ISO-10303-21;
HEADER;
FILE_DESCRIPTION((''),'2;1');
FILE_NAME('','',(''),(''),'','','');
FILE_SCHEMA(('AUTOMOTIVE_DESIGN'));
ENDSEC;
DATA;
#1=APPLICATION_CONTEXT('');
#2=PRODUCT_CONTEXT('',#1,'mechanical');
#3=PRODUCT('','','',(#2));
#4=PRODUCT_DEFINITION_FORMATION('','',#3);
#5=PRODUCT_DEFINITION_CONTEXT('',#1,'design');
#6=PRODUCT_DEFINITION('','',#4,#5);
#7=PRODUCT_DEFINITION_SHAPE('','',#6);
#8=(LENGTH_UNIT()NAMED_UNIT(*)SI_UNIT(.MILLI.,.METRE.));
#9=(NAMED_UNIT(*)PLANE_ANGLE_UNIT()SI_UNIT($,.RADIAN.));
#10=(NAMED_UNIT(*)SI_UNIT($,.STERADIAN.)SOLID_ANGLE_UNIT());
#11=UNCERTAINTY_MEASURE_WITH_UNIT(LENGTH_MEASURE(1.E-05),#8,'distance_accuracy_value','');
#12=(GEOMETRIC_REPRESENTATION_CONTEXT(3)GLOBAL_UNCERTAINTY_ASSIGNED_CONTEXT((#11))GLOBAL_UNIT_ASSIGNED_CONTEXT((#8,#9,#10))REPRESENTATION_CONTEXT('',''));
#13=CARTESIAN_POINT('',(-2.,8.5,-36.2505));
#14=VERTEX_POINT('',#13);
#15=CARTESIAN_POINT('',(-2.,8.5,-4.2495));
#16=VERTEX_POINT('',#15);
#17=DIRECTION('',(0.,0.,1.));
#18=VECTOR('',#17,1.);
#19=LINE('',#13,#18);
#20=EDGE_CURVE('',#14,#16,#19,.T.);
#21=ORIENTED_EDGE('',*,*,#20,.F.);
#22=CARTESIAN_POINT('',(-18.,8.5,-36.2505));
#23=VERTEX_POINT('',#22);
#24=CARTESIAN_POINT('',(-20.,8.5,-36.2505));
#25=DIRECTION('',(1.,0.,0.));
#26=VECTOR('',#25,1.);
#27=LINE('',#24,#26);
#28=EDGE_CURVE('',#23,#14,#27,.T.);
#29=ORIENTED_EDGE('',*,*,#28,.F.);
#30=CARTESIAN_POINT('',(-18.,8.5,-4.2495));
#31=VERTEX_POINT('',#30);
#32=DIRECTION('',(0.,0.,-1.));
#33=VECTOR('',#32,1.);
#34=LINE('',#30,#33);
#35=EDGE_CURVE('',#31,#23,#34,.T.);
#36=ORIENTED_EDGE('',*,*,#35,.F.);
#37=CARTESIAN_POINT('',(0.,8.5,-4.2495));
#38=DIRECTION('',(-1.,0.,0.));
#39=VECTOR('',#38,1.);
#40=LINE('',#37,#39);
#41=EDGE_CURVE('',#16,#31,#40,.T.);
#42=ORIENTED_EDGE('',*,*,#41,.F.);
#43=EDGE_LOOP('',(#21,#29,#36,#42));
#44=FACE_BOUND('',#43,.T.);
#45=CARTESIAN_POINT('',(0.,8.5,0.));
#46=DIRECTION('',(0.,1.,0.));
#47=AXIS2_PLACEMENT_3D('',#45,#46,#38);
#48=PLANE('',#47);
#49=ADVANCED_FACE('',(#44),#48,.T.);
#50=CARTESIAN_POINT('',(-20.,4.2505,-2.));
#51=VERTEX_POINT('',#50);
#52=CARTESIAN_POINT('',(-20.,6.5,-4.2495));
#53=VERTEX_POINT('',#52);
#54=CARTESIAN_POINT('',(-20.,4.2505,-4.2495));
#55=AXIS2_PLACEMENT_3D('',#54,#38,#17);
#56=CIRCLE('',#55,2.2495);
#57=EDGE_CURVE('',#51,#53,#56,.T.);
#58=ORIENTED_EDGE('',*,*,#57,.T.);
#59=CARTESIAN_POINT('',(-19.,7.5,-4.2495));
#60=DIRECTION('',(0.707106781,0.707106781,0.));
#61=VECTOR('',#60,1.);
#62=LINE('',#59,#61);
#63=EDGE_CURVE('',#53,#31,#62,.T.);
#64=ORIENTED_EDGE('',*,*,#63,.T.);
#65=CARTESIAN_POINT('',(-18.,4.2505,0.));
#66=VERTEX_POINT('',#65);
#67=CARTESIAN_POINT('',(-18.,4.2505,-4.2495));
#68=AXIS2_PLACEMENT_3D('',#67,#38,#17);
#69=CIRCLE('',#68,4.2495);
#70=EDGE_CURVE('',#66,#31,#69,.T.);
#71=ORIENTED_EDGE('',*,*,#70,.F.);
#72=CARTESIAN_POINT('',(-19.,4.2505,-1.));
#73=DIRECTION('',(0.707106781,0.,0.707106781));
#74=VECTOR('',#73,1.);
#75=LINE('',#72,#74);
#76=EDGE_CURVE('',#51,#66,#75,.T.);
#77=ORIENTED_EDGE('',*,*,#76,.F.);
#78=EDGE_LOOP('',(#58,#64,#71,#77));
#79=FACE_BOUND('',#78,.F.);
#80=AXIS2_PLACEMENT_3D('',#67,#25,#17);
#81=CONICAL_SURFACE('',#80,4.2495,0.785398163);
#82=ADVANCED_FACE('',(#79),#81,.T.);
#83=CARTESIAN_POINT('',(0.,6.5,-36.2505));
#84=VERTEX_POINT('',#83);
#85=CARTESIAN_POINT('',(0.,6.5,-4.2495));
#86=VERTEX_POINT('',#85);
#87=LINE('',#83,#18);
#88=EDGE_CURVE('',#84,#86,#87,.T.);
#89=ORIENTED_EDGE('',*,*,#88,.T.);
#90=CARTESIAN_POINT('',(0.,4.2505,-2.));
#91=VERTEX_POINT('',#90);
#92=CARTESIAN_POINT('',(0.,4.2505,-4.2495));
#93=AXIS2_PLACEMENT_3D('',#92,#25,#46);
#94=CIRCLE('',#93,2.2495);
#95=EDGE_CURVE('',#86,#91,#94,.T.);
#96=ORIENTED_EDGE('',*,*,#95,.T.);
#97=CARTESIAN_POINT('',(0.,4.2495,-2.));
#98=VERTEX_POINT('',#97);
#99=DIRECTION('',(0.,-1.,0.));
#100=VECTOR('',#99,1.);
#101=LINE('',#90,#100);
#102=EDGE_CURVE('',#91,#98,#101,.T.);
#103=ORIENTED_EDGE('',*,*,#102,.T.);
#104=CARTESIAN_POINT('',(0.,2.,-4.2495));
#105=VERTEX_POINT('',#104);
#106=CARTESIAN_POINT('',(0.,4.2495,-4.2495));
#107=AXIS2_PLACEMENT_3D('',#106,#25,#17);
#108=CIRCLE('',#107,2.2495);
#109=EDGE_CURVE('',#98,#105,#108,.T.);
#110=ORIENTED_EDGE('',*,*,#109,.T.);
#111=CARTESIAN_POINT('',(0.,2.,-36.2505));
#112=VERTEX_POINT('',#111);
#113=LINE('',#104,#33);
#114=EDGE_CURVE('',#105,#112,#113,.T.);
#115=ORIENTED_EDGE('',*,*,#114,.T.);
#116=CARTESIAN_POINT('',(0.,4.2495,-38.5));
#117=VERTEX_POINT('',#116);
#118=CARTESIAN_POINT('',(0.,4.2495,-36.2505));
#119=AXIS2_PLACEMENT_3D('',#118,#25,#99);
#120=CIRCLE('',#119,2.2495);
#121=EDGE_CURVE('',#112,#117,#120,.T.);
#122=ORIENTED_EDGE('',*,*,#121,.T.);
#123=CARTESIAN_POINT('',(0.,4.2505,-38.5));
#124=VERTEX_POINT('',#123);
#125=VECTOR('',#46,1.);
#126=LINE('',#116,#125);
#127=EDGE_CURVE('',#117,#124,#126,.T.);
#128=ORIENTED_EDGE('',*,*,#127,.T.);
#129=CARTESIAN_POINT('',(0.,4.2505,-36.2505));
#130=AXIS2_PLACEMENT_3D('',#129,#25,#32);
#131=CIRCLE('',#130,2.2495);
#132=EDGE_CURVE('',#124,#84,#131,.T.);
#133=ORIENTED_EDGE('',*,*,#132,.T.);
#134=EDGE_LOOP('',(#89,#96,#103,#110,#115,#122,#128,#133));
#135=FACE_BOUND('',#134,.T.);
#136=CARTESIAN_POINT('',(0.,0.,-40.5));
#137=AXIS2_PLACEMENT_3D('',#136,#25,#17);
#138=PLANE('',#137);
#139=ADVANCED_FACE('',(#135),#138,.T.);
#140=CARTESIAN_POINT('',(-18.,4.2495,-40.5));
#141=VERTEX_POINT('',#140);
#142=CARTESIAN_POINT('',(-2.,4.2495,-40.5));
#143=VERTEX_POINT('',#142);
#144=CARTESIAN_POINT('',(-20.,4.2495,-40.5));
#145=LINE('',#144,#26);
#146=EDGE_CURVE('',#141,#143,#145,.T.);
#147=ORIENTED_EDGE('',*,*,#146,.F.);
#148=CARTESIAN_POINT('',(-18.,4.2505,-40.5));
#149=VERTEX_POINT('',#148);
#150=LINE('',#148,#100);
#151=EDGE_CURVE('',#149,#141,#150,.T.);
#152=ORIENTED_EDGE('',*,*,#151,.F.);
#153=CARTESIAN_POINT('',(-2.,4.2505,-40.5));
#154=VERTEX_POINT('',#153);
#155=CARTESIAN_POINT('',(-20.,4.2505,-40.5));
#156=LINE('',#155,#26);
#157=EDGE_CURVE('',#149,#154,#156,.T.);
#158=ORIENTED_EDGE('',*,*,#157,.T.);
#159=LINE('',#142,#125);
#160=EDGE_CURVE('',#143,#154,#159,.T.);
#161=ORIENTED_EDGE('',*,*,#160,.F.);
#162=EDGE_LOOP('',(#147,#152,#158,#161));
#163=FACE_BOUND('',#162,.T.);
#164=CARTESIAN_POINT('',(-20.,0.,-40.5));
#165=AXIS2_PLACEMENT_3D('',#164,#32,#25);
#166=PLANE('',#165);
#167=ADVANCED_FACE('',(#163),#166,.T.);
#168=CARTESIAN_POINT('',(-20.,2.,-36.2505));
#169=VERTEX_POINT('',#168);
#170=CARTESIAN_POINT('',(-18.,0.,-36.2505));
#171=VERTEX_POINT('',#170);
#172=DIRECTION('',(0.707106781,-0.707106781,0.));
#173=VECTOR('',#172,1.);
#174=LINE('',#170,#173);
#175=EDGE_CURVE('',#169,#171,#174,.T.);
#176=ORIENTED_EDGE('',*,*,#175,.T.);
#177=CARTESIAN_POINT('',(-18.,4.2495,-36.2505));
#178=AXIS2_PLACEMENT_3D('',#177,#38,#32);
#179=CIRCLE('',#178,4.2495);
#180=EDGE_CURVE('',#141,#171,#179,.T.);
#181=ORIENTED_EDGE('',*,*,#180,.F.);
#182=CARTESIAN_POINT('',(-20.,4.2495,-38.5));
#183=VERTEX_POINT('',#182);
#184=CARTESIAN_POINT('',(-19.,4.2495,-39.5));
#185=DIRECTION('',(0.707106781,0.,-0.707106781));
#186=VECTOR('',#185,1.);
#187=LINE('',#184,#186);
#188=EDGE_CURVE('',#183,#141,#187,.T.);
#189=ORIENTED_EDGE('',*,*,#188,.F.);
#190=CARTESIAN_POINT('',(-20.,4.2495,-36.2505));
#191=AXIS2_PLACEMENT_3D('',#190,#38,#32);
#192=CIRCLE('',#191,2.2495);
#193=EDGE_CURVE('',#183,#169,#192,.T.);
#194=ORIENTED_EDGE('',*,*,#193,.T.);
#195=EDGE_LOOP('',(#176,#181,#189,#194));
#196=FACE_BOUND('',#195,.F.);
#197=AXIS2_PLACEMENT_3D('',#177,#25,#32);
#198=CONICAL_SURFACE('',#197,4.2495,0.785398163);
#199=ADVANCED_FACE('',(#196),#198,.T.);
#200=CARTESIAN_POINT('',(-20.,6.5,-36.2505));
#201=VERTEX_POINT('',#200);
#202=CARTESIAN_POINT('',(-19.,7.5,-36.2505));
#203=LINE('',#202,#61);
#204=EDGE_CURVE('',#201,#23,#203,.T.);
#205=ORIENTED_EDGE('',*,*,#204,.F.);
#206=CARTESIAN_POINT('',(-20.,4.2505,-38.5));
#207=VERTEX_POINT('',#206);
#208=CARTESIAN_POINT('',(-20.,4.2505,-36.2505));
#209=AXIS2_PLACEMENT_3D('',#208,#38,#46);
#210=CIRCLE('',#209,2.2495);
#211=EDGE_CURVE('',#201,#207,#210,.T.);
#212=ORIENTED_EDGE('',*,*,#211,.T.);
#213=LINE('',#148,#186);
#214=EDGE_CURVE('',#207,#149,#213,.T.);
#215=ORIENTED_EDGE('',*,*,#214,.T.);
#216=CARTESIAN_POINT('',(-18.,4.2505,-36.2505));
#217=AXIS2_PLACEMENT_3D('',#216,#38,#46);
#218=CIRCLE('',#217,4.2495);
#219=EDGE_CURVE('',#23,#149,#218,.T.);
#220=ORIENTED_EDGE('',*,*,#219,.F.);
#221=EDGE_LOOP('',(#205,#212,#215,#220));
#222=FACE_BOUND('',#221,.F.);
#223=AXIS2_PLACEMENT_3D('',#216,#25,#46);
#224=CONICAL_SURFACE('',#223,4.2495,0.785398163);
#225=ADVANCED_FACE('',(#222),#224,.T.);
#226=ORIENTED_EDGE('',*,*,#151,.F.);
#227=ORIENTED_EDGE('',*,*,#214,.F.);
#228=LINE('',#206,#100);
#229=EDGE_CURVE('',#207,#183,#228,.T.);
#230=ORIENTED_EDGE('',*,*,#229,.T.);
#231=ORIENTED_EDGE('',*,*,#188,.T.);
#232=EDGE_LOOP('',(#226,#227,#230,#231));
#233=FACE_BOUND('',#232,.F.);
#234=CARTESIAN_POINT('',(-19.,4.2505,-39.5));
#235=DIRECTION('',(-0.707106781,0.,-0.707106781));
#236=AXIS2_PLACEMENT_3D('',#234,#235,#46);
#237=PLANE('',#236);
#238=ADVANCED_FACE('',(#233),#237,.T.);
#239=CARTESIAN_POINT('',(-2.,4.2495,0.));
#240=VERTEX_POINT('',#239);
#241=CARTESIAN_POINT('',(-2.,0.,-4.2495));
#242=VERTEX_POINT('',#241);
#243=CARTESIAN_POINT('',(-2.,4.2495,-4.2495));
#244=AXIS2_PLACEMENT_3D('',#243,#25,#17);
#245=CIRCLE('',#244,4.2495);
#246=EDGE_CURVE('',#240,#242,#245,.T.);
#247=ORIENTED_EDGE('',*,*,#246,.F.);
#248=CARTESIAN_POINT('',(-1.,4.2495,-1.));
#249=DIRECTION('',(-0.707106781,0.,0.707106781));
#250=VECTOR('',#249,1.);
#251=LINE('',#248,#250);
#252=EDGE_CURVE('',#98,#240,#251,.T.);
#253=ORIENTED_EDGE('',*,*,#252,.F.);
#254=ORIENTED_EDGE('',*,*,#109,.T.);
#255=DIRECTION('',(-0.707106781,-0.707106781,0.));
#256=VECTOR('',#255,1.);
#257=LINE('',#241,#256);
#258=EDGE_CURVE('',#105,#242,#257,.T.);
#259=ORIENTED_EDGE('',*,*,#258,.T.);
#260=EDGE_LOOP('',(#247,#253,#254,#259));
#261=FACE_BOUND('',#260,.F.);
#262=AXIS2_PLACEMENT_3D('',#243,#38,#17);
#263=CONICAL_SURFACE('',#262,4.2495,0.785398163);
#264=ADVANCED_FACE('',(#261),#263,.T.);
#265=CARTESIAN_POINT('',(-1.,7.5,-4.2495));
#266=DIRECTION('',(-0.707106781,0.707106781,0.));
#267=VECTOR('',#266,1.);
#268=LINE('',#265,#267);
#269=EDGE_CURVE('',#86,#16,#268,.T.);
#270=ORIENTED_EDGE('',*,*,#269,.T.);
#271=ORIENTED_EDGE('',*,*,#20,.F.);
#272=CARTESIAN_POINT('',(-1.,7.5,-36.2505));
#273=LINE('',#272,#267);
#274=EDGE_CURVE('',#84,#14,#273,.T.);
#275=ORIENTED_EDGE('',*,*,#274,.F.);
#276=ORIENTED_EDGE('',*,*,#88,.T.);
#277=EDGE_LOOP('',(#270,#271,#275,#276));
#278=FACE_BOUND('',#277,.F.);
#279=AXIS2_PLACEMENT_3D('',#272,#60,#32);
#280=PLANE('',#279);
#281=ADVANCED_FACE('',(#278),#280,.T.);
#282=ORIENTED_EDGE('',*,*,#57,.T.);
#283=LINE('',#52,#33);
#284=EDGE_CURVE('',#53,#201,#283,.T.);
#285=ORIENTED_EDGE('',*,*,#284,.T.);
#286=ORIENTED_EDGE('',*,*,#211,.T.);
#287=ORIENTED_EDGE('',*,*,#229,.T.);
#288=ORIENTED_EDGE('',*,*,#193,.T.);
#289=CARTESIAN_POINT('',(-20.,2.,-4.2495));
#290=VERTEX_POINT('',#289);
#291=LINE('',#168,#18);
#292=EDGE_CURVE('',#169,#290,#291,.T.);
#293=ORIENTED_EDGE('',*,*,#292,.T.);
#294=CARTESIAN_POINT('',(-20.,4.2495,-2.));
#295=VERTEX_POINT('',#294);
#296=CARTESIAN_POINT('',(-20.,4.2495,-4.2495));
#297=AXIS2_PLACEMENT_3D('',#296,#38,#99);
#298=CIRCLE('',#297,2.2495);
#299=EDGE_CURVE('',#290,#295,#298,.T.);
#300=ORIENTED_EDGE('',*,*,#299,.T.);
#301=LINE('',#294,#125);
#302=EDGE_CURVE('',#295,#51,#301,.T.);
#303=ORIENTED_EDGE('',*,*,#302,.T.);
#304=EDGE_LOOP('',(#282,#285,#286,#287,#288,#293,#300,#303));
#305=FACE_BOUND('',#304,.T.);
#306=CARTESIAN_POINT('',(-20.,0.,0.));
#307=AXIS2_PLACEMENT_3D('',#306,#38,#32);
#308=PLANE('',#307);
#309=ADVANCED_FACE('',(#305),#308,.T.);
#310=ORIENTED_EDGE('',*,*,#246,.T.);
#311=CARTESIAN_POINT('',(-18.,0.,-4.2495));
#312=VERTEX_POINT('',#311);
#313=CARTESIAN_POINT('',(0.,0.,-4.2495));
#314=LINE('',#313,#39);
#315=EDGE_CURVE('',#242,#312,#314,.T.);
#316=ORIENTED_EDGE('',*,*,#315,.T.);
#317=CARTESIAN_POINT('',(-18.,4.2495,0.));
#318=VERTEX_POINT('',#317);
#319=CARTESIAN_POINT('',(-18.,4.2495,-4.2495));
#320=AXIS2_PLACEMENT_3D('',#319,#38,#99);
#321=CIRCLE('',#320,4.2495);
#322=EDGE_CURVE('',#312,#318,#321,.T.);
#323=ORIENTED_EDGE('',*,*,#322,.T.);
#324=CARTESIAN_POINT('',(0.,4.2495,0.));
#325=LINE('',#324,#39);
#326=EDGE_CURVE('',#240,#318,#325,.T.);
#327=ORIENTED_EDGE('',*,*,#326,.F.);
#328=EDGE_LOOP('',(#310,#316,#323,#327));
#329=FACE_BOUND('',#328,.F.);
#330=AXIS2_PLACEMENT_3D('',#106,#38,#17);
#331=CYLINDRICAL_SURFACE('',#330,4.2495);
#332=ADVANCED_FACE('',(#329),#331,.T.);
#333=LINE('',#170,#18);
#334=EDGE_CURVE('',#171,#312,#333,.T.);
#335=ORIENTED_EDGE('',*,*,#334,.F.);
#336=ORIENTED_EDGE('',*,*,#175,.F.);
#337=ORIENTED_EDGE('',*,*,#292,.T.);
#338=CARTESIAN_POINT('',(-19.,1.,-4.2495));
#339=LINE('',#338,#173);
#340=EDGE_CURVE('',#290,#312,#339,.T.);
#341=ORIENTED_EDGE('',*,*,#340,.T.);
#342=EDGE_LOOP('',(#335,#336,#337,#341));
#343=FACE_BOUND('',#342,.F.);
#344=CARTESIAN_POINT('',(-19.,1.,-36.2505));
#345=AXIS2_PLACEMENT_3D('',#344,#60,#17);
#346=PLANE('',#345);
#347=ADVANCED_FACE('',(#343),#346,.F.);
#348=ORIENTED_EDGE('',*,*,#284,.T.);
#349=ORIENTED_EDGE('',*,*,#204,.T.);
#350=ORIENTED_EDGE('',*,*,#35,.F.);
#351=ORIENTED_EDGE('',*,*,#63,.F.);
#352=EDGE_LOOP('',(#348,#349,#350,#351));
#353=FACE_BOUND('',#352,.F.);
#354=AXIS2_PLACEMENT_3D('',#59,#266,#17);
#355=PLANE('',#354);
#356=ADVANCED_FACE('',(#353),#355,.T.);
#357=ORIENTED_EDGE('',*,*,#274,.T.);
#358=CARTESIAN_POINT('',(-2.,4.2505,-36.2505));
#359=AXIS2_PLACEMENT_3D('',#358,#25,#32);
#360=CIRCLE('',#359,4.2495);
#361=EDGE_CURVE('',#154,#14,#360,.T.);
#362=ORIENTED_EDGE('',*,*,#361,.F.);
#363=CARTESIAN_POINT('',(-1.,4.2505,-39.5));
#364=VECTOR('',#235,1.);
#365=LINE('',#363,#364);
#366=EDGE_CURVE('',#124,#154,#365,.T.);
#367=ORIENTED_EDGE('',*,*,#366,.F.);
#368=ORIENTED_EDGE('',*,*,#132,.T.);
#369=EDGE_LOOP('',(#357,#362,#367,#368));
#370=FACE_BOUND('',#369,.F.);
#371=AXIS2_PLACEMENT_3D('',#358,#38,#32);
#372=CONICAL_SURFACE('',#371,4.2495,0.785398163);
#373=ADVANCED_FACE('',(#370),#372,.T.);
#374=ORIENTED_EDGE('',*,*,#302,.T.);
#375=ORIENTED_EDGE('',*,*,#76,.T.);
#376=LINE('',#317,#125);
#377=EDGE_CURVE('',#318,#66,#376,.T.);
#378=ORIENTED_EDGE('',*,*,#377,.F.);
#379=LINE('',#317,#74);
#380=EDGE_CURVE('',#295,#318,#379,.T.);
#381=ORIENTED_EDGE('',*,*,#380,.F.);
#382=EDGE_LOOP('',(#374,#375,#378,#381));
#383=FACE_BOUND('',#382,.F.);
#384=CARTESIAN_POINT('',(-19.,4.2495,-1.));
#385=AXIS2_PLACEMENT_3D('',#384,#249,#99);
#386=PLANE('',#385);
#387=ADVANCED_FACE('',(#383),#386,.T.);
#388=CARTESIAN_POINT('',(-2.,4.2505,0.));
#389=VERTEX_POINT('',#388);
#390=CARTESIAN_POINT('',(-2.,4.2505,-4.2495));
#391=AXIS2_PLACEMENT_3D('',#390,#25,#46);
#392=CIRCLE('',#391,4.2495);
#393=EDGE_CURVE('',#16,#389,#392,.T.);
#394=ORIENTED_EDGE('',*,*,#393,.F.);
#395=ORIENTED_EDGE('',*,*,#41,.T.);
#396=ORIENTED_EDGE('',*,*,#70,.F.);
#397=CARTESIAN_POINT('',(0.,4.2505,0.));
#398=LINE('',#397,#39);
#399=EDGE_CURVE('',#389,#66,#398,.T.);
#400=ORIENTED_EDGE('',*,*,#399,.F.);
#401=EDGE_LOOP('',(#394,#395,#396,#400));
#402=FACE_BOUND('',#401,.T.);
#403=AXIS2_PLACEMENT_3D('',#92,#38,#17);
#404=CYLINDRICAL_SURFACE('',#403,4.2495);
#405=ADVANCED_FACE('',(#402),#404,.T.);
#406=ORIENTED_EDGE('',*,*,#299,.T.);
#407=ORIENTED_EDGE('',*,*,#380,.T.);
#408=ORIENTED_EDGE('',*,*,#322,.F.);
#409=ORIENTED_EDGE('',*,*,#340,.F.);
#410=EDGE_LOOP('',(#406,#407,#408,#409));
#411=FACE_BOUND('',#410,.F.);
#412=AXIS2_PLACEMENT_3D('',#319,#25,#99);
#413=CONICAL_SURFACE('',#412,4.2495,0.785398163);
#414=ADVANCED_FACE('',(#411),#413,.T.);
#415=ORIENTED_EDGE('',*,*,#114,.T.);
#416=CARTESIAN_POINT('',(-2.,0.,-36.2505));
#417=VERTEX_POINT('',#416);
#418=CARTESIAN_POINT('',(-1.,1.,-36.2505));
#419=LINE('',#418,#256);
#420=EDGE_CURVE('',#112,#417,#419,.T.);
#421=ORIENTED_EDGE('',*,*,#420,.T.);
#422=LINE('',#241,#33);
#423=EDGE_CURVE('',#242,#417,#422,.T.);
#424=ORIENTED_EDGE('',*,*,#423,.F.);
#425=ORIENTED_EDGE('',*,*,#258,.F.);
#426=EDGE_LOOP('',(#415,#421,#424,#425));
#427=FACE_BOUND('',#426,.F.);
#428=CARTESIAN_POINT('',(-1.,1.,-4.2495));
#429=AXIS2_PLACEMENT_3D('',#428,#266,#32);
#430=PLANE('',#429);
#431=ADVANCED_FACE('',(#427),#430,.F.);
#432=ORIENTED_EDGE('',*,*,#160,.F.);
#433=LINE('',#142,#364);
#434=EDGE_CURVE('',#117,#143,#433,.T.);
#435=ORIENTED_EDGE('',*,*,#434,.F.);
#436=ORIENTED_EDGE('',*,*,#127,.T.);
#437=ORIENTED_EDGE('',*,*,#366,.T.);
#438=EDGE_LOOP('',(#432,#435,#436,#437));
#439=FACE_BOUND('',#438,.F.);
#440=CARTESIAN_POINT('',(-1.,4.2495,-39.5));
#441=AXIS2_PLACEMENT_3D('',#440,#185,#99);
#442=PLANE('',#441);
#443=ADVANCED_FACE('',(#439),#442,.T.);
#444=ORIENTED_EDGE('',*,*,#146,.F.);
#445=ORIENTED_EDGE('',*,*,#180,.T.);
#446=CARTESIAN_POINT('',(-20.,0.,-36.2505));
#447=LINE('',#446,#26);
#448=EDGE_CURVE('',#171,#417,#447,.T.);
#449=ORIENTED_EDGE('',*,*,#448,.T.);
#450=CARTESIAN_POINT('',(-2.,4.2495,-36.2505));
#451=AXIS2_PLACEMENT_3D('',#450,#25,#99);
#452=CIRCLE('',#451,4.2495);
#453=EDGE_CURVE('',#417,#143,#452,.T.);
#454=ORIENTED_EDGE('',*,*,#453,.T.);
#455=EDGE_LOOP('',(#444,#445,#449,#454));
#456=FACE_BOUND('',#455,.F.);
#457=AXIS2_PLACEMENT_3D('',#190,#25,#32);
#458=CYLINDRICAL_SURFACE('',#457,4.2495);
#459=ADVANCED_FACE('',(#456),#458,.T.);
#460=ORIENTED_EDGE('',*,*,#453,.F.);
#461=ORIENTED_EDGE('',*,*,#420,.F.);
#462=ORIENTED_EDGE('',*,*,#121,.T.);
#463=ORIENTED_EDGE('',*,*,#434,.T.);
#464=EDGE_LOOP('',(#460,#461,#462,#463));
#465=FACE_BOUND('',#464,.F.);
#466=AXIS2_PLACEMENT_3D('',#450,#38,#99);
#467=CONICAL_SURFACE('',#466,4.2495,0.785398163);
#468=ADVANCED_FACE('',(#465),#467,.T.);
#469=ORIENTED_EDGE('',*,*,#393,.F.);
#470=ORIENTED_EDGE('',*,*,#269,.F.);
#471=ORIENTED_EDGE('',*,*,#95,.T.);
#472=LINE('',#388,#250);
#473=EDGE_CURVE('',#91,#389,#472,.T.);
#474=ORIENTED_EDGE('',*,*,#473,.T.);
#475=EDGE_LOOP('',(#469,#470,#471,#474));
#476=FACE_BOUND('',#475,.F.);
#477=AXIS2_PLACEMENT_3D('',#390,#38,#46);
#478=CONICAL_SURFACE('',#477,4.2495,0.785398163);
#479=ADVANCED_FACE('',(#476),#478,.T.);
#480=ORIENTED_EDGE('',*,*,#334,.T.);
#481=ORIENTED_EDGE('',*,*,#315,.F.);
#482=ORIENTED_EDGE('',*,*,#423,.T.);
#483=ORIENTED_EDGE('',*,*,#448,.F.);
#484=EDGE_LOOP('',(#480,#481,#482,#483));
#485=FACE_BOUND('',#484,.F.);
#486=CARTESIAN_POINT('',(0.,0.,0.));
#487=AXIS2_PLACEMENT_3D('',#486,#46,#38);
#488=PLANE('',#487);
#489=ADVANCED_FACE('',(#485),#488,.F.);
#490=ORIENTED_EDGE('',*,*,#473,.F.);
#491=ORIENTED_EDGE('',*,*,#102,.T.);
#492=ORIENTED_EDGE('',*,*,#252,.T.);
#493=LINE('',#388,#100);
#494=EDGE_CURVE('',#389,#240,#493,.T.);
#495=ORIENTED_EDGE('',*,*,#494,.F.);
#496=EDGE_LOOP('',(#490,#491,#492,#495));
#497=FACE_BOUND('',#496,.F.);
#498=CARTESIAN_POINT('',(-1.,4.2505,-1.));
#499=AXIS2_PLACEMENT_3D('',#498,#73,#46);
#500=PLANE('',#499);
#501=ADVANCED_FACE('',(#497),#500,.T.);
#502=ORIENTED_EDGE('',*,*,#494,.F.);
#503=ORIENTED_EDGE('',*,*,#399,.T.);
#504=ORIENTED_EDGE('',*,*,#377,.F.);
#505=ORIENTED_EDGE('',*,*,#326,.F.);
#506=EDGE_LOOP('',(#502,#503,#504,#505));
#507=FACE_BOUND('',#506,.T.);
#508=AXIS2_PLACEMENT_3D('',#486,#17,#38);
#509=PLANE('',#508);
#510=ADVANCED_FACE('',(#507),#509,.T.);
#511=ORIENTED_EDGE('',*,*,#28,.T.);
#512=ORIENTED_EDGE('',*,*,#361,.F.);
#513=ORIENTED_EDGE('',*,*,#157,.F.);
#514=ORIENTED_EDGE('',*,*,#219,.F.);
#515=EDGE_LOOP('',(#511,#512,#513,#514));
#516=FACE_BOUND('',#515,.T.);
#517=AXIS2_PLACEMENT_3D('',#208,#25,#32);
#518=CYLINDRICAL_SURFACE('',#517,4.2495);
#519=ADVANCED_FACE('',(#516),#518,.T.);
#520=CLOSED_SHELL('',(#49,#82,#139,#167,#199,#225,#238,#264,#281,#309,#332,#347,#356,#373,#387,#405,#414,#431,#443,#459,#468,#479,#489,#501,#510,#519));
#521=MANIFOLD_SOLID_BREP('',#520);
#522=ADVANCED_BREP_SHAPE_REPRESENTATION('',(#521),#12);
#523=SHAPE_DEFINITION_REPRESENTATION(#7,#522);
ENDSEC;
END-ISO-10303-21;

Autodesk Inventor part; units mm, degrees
ref_plane "YZ Plane" through (0, 0, 0) normal (1, 0, 0) x (0, 1, 0)
ref_plane "XZ Plane" through (0, 0, 0) normal (0, 1, 0) x (-1, 0, 0)
ref_plane "XY Plane" through (0, 0, 0) normal (0, 0, 1) x (1, 0, 0)
sketch "Sketch1" plane through (0, 0, 0) normal (0, 1, 0) x (-1, 0, 0)
  line L0 (0, 0) -> (20, 0)
  line L1 (20, 0) -> (20, -40.5)
  line L2 (20, -40.5) -> (0, -40.5)
  line L3 (0, -40.5) -> (0, 0)
  dimension "d0" = 20
  dimension "d1" = 40.5
extrude "Extrusion1" add sketch "Sketch1" along normal blind 8.5
fillet "Fillet1" radius 4.25 4 edges at (-10, 8.5, 0) (-10, 0, 0) (-10, 8.5, -40.5) (-10, 0, -40.5)
chamfer "Chamfer1" distance 2 angle 45 8 edges at (0, 8.5, -20.25) (0, 7.2554, -39.2554) (0, 0, -20.25) (0, 7.2554, -1.2446) (-20, 8.5, -20.25) (-20, 7.2554, -1.2446) (-20, 0, -20.25) (-20, 7.2554, -39.2554)
equation "\"d4\" = 0.5 * d2"
equation "\"d2\" = 8.5"
properties part number "battery"
